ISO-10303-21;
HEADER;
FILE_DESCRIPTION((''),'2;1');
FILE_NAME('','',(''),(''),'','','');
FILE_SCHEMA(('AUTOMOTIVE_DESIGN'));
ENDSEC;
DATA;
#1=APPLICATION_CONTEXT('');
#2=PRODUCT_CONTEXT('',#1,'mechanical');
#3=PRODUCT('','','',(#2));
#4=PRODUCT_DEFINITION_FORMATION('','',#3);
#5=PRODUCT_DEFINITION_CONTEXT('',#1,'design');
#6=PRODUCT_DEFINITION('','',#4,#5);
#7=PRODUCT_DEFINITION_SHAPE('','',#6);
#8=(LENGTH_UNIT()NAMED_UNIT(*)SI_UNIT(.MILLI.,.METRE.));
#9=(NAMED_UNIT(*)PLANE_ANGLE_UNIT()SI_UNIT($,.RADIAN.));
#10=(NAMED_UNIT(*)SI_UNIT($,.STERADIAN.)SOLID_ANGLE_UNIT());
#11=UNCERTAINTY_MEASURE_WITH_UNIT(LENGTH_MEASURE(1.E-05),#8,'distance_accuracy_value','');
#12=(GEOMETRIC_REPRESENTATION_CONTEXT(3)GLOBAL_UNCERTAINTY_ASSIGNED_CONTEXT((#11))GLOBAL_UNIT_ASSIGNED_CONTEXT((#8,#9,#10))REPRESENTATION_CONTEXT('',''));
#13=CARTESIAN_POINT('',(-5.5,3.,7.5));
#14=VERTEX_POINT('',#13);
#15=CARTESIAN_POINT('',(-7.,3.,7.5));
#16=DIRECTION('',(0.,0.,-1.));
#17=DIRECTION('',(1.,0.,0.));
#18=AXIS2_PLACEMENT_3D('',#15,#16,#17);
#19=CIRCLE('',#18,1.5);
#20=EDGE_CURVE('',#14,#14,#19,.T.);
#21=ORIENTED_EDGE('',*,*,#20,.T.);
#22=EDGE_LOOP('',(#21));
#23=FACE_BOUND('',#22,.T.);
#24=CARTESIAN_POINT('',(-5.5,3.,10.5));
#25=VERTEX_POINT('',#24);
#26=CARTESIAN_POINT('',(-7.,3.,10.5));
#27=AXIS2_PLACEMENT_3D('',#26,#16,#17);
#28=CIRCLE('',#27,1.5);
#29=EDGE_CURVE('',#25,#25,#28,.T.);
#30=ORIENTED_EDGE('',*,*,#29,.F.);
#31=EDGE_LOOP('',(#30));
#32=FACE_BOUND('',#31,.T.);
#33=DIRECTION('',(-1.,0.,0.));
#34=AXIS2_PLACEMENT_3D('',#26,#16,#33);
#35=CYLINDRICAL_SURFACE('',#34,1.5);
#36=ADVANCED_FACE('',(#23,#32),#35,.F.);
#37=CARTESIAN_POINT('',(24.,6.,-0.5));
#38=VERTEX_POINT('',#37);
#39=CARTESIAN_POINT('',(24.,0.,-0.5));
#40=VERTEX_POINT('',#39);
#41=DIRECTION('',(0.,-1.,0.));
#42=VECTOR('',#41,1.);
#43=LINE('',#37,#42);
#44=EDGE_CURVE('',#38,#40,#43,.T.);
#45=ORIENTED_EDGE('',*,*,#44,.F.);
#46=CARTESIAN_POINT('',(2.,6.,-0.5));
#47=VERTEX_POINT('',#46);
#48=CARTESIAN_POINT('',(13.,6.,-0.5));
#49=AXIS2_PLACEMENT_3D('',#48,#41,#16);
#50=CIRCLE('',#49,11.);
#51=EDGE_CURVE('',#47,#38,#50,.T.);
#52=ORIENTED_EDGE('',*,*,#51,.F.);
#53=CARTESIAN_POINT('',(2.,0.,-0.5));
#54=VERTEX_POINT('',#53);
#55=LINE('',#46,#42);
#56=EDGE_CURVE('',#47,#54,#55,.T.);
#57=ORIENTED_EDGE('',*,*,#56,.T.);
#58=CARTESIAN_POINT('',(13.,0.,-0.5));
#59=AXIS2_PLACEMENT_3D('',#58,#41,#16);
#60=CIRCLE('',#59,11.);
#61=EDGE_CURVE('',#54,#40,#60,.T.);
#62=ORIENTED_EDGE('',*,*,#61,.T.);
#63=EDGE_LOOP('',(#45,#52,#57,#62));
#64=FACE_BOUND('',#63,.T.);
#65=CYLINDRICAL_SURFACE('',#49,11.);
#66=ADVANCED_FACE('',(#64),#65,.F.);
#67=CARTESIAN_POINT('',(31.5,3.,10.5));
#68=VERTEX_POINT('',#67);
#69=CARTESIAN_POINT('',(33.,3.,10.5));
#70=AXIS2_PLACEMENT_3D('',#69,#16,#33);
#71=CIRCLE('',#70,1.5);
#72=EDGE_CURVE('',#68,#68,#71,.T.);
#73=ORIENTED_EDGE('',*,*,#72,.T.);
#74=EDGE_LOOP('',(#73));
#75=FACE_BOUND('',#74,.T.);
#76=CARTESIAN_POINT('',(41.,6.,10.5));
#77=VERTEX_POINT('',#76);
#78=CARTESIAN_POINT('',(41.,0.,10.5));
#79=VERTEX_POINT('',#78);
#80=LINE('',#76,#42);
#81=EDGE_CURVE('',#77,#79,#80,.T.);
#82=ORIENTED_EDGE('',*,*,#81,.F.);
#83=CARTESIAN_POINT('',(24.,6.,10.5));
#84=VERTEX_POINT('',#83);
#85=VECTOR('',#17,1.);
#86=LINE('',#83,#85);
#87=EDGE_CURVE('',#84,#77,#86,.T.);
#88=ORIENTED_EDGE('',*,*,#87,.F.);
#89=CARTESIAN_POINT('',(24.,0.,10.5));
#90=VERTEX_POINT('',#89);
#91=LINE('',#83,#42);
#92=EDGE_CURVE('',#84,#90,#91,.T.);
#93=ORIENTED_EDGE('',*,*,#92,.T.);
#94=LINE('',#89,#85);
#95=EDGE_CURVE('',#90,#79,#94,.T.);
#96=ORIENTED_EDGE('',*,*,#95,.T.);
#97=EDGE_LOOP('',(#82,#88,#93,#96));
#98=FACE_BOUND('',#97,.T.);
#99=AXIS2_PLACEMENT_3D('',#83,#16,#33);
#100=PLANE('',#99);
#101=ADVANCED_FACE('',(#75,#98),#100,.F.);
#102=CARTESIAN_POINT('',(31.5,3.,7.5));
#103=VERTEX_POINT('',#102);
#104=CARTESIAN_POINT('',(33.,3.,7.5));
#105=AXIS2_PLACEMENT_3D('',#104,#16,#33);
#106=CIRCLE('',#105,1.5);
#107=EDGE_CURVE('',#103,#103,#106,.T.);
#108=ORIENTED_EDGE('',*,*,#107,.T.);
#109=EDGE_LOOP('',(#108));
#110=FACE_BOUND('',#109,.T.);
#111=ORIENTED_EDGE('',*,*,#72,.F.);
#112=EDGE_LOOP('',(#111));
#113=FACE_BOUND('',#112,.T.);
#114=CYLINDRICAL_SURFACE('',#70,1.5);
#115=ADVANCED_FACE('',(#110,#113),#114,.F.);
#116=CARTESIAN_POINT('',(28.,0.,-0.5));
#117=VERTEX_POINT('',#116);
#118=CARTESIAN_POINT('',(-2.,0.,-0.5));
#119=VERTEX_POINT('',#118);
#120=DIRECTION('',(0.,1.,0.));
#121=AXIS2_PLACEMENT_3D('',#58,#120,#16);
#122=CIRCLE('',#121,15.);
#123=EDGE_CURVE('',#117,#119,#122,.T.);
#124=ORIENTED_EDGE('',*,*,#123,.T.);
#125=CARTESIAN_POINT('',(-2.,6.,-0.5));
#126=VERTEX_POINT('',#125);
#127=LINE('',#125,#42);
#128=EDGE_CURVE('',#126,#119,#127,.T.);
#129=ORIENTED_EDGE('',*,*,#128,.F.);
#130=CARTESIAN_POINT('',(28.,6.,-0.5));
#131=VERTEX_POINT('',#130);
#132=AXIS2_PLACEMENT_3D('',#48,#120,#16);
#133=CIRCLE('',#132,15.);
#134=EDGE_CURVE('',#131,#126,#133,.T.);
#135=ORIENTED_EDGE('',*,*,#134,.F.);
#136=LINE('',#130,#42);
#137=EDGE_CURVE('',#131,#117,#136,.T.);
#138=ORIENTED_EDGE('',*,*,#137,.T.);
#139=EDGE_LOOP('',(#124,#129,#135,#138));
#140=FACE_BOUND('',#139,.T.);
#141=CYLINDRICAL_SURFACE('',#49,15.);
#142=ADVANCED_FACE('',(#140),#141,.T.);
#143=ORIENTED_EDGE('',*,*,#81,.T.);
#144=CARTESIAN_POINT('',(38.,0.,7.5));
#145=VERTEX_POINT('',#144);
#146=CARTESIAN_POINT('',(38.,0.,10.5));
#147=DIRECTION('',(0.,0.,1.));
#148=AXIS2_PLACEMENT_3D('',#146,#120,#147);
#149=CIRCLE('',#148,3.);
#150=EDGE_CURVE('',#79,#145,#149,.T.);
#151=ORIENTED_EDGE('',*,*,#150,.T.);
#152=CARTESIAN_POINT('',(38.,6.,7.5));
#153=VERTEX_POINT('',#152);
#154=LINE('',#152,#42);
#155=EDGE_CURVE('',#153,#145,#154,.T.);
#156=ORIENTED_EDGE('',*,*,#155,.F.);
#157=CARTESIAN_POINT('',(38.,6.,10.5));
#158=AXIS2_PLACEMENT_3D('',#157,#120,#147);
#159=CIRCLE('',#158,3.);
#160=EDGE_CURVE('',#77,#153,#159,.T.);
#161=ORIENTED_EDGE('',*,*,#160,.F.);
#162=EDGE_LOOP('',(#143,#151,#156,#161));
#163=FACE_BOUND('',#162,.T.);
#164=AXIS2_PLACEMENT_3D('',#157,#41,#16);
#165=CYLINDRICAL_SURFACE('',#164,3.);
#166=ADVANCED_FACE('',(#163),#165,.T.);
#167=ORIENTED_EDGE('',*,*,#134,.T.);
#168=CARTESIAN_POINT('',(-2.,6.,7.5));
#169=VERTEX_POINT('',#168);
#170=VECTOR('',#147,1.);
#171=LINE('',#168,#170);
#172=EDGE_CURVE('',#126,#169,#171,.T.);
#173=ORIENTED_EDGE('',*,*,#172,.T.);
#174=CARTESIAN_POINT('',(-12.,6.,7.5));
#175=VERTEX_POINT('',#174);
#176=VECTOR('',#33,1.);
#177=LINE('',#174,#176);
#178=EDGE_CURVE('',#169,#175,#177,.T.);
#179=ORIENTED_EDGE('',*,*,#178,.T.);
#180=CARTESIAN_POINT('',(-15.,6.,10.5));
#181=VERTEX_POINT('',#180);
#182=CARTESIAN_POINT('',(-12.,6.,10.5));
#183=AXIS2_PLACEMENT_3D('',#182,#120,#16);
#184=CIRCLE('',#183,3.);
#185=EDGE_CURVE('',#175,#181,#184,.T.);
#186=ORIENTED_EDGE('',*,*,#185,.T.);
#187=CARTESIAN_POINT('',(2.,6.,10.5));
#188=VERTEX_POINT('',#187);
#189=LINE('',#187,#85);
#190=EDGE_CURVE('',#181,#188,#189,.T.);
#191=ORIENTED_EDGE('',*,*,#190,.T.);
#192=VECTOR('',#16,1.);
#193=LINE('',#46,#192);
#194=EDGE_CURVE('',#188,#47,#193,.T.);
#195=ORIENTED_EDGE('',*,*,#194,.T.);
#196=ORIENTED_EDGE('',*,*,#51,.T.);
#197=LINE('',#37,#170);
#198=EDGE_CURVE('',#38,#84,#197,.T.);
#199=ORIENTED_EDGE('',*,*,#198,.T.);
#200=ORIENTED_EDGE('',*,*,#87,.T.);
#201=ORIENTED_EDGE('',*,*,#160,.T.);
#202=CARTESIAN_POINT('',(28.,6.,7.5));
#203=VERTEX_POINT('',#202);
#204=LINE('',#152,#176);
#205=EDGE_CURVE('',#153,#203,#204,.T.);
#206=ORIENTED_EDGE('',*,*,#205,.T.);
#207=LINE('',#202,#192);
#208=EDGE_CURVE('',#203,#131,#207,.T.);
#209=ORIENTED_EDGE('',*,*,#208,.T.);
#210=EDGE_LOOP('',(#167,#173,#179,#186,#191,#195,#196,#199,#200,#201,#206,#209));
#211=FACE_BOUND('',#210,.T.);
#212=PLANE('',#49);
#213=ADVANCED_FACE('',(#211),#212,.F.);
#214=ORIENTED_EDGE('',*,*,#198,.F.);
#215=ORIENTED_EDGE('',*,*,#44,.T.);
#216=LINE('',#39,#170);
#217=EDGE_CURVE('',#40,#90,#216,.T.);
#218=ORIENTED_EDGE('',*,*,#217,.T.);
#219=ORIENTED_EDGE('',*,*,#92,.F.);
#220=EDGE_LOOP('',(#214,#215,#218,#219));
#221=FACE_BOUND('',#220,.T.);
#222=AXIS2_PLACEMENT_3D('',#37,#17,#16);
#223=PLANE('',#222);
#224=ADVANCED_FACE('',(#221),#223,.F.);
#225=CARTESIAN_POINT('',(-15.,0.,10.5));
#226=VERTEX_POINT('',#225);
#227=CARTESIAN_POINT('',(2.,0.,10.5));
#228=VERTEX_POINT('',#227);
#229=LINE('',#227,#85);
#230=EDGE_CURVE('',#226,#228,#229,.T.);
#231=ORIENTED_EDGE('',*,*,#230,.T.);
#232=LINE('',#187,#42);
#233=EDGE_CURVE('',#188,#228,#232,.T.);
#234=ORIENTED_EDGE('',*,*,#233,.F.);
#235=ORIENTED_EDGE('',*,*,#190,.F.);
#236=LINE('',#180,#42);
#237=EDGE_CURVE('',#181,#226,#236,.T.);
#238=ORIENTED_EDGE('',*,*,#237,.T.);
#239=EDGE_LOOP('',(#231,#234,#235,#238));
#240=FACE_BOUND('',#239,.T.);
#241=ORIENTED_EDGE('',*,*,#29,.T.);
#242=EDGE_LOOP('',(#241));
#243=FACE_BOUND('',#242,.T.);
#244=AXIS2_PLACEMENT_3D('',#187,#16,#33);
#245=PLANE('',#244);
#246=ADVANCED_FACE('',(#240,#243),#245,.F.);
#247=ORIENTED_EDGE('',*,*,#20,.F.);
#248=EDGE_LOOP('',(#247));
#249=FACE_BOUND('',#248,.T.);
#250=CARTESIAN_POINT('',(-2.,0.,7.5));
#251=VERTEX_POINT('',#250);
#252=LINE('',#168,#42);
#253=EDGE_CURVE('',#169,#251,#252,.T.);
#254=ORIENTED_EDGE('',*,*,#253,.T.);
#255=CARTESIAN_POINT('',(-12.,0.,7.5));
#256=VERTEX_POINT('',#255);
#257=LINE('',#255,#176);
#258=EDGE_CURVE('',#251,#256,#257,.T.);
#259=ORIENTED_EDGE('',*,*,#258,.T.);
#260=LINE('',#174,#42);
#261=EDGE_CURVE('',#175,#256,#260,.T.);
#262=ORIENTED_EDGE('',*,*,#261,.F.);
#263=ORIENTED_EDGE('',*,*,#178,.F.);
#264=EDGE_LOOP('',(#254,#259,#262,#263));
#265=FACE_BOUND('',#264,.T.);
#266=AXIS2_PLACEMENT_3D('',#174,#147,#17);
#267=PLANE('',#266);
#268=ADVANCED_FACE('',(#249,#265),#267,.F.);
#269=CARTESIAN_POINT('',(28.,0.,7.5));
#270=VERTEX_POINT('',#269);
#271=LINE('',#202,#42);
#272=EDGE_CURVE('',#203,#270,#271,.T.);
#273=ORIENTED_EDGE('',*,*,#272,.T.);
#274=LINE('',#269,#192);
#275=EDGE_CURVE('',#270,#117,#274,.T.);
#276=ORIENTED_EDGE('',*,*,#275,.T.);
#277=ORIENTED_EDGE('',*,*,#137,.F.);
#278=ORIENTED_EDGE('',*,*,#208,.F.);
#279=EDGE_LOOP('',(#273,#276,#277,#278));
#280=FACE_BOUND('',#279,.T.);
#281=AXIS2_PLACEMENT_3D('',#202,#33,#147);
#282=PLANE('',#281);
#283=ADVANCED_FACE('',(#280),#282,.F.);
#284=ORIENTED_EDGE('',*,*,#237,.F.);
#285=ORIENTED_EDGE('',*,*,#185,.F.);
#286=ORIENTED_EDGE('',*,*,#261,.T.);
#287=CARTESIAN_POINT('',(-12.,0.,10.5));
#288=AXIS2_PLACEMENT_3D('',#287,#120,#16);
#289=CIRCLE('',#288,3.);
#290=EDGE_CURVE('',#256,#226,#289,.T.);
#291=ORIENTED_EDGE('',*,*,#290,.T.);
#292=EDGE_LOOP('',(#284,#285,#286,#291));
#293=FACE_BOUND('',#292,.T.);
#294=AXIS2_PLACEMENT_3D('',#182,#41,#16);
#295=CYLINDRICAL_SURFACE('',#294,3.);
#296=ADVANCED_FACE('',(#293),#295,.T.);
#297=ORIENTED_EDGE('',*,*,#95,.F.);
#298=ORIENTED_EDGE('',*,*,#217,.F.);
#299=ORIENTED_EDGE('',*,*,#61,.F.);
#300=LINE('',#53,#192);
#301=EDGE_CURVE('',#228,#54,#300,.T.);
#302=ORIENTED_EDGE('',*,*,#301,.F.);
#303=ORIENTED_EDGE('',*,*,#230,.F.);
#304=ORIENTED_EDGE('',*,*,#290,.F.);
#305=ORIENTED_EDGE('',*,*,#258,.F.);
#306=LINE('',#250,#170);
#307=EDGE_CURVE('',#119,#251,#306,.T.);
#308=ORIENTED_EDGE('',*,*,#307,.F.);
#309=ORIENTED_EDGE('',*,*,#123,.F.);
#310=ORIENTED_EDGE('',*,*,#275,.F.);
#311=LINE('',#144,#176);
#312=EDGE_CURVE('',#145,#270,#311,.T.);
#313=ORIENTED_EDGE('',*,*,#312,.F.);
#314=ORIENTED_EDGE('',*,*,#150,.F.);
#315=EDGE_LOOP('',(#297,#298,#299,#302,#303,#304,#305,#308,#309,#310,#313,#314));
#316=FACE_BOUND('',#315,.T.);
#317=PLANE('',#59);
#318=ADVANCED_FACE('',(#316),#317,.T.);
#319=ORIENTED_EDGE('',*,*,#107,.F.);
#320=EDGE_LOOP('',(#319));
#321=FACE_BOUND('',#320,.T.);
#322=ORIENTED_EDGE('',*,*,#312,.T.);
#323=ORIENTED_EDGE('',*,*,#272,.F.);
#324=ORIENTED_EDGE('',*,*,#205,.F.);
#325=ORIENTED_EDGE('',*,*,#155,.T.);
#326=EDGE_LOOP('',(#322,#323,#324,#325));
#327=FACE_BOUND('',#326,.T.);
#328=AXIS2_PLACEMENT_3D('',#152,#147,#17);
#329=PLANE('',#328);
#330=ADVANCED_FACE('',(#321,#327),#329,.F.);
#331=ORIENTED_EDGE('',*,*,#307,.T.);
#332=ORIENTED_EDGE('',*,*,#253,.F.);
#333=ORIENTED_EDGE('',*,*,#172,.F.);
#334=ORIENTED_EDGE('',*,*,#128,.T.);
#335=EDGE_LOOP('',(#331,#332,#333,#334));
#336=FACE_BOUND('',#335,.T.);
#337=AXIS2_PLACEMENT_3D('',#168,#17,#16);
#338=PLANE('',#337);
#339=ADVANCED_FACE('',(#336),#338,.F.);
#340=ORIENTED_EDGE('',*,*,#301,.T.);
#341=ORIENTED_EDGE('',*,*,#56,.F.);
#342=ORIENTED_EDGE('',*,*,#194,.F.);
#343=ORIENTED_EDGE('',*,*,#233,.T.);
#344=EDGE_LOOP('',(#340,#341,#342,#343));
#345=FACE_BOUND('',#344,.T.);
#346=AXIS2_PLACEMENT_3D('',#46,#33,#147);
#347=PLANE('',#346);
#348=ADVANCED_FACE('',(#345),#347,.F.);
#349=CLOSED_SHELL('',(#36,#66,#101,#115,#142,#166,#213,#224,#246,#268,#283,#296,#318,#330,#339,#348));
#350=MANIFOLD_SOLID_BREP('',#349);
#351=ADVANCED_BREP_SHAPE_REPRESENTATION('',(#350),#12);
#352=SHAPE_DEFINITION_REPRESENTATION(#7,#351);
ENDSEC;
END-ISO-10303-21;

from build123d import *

# Parameters (mm, degrees)
BOSS_EXTRU_2_DEPTH      = 6
ESQUISSE3_R             = 1.5
ENL_V_MAT_EXTRU_1_DEPTH = 48.391982444


with BuildPart() as part:
    # Esquisse1 → Boss.-Extru.2 (new body)
    with BuildSketch(Plane(origin=(0, 0, 0), x_dir=(1, 0, 0), z_dir=(0, 1, 0))):
        with BuildLine():
            Line((24, 0.5), (24, -10.5))
            Line((24, -10.5), (41, -10.5))
            ThreePointArc((41, -10.5), (40.121320344, -8.378679656), (38, -7.5))
            Line((38, -7.5), (28, -7.5))
            Line((28, -7.5), (28, 0.5))
            ThreePointArc((28, 0.5), (13, 15.5), (-2, 0.5))
            Line((-2, 0.5), (-2, -7.5))
            Line((-2, -7.5), (-12, -7.5))
            ThreePointArc((-12, -7.5), (-14.121320344, -8.378679656), (-15, -10.5))
            Line((-15, -10.5), (2, -10.5))
            Line((2, -10.5), (2, 0.5))
            ThreePointArc((2, 0.5), (13, 11.5), (24, 0.5))
        make_face()
    extrude(amount=BOSS_EXTRU_2_DEPTH)

    # Esquisse3 → Enlèv. mat.-Extru.1 (cut, through all)
    with BuildSketch(Plane(origin=(0, 0, 7.5), x_dir=(-1, 0, 0), z_dir=(0, 0, -1))):
        with Locations((-33, 3)):
            Circle(ESQUISSE3_R)
        with Locations(Location((7, 3, 0), (0, 0, 180))):
            Circle(ESQUISSE3_R)
    extrude(amount=-ENL_V_MAT_EXTRU_1_DEPTH, mode=Mode.SUBTRACT)


solid = part.part
